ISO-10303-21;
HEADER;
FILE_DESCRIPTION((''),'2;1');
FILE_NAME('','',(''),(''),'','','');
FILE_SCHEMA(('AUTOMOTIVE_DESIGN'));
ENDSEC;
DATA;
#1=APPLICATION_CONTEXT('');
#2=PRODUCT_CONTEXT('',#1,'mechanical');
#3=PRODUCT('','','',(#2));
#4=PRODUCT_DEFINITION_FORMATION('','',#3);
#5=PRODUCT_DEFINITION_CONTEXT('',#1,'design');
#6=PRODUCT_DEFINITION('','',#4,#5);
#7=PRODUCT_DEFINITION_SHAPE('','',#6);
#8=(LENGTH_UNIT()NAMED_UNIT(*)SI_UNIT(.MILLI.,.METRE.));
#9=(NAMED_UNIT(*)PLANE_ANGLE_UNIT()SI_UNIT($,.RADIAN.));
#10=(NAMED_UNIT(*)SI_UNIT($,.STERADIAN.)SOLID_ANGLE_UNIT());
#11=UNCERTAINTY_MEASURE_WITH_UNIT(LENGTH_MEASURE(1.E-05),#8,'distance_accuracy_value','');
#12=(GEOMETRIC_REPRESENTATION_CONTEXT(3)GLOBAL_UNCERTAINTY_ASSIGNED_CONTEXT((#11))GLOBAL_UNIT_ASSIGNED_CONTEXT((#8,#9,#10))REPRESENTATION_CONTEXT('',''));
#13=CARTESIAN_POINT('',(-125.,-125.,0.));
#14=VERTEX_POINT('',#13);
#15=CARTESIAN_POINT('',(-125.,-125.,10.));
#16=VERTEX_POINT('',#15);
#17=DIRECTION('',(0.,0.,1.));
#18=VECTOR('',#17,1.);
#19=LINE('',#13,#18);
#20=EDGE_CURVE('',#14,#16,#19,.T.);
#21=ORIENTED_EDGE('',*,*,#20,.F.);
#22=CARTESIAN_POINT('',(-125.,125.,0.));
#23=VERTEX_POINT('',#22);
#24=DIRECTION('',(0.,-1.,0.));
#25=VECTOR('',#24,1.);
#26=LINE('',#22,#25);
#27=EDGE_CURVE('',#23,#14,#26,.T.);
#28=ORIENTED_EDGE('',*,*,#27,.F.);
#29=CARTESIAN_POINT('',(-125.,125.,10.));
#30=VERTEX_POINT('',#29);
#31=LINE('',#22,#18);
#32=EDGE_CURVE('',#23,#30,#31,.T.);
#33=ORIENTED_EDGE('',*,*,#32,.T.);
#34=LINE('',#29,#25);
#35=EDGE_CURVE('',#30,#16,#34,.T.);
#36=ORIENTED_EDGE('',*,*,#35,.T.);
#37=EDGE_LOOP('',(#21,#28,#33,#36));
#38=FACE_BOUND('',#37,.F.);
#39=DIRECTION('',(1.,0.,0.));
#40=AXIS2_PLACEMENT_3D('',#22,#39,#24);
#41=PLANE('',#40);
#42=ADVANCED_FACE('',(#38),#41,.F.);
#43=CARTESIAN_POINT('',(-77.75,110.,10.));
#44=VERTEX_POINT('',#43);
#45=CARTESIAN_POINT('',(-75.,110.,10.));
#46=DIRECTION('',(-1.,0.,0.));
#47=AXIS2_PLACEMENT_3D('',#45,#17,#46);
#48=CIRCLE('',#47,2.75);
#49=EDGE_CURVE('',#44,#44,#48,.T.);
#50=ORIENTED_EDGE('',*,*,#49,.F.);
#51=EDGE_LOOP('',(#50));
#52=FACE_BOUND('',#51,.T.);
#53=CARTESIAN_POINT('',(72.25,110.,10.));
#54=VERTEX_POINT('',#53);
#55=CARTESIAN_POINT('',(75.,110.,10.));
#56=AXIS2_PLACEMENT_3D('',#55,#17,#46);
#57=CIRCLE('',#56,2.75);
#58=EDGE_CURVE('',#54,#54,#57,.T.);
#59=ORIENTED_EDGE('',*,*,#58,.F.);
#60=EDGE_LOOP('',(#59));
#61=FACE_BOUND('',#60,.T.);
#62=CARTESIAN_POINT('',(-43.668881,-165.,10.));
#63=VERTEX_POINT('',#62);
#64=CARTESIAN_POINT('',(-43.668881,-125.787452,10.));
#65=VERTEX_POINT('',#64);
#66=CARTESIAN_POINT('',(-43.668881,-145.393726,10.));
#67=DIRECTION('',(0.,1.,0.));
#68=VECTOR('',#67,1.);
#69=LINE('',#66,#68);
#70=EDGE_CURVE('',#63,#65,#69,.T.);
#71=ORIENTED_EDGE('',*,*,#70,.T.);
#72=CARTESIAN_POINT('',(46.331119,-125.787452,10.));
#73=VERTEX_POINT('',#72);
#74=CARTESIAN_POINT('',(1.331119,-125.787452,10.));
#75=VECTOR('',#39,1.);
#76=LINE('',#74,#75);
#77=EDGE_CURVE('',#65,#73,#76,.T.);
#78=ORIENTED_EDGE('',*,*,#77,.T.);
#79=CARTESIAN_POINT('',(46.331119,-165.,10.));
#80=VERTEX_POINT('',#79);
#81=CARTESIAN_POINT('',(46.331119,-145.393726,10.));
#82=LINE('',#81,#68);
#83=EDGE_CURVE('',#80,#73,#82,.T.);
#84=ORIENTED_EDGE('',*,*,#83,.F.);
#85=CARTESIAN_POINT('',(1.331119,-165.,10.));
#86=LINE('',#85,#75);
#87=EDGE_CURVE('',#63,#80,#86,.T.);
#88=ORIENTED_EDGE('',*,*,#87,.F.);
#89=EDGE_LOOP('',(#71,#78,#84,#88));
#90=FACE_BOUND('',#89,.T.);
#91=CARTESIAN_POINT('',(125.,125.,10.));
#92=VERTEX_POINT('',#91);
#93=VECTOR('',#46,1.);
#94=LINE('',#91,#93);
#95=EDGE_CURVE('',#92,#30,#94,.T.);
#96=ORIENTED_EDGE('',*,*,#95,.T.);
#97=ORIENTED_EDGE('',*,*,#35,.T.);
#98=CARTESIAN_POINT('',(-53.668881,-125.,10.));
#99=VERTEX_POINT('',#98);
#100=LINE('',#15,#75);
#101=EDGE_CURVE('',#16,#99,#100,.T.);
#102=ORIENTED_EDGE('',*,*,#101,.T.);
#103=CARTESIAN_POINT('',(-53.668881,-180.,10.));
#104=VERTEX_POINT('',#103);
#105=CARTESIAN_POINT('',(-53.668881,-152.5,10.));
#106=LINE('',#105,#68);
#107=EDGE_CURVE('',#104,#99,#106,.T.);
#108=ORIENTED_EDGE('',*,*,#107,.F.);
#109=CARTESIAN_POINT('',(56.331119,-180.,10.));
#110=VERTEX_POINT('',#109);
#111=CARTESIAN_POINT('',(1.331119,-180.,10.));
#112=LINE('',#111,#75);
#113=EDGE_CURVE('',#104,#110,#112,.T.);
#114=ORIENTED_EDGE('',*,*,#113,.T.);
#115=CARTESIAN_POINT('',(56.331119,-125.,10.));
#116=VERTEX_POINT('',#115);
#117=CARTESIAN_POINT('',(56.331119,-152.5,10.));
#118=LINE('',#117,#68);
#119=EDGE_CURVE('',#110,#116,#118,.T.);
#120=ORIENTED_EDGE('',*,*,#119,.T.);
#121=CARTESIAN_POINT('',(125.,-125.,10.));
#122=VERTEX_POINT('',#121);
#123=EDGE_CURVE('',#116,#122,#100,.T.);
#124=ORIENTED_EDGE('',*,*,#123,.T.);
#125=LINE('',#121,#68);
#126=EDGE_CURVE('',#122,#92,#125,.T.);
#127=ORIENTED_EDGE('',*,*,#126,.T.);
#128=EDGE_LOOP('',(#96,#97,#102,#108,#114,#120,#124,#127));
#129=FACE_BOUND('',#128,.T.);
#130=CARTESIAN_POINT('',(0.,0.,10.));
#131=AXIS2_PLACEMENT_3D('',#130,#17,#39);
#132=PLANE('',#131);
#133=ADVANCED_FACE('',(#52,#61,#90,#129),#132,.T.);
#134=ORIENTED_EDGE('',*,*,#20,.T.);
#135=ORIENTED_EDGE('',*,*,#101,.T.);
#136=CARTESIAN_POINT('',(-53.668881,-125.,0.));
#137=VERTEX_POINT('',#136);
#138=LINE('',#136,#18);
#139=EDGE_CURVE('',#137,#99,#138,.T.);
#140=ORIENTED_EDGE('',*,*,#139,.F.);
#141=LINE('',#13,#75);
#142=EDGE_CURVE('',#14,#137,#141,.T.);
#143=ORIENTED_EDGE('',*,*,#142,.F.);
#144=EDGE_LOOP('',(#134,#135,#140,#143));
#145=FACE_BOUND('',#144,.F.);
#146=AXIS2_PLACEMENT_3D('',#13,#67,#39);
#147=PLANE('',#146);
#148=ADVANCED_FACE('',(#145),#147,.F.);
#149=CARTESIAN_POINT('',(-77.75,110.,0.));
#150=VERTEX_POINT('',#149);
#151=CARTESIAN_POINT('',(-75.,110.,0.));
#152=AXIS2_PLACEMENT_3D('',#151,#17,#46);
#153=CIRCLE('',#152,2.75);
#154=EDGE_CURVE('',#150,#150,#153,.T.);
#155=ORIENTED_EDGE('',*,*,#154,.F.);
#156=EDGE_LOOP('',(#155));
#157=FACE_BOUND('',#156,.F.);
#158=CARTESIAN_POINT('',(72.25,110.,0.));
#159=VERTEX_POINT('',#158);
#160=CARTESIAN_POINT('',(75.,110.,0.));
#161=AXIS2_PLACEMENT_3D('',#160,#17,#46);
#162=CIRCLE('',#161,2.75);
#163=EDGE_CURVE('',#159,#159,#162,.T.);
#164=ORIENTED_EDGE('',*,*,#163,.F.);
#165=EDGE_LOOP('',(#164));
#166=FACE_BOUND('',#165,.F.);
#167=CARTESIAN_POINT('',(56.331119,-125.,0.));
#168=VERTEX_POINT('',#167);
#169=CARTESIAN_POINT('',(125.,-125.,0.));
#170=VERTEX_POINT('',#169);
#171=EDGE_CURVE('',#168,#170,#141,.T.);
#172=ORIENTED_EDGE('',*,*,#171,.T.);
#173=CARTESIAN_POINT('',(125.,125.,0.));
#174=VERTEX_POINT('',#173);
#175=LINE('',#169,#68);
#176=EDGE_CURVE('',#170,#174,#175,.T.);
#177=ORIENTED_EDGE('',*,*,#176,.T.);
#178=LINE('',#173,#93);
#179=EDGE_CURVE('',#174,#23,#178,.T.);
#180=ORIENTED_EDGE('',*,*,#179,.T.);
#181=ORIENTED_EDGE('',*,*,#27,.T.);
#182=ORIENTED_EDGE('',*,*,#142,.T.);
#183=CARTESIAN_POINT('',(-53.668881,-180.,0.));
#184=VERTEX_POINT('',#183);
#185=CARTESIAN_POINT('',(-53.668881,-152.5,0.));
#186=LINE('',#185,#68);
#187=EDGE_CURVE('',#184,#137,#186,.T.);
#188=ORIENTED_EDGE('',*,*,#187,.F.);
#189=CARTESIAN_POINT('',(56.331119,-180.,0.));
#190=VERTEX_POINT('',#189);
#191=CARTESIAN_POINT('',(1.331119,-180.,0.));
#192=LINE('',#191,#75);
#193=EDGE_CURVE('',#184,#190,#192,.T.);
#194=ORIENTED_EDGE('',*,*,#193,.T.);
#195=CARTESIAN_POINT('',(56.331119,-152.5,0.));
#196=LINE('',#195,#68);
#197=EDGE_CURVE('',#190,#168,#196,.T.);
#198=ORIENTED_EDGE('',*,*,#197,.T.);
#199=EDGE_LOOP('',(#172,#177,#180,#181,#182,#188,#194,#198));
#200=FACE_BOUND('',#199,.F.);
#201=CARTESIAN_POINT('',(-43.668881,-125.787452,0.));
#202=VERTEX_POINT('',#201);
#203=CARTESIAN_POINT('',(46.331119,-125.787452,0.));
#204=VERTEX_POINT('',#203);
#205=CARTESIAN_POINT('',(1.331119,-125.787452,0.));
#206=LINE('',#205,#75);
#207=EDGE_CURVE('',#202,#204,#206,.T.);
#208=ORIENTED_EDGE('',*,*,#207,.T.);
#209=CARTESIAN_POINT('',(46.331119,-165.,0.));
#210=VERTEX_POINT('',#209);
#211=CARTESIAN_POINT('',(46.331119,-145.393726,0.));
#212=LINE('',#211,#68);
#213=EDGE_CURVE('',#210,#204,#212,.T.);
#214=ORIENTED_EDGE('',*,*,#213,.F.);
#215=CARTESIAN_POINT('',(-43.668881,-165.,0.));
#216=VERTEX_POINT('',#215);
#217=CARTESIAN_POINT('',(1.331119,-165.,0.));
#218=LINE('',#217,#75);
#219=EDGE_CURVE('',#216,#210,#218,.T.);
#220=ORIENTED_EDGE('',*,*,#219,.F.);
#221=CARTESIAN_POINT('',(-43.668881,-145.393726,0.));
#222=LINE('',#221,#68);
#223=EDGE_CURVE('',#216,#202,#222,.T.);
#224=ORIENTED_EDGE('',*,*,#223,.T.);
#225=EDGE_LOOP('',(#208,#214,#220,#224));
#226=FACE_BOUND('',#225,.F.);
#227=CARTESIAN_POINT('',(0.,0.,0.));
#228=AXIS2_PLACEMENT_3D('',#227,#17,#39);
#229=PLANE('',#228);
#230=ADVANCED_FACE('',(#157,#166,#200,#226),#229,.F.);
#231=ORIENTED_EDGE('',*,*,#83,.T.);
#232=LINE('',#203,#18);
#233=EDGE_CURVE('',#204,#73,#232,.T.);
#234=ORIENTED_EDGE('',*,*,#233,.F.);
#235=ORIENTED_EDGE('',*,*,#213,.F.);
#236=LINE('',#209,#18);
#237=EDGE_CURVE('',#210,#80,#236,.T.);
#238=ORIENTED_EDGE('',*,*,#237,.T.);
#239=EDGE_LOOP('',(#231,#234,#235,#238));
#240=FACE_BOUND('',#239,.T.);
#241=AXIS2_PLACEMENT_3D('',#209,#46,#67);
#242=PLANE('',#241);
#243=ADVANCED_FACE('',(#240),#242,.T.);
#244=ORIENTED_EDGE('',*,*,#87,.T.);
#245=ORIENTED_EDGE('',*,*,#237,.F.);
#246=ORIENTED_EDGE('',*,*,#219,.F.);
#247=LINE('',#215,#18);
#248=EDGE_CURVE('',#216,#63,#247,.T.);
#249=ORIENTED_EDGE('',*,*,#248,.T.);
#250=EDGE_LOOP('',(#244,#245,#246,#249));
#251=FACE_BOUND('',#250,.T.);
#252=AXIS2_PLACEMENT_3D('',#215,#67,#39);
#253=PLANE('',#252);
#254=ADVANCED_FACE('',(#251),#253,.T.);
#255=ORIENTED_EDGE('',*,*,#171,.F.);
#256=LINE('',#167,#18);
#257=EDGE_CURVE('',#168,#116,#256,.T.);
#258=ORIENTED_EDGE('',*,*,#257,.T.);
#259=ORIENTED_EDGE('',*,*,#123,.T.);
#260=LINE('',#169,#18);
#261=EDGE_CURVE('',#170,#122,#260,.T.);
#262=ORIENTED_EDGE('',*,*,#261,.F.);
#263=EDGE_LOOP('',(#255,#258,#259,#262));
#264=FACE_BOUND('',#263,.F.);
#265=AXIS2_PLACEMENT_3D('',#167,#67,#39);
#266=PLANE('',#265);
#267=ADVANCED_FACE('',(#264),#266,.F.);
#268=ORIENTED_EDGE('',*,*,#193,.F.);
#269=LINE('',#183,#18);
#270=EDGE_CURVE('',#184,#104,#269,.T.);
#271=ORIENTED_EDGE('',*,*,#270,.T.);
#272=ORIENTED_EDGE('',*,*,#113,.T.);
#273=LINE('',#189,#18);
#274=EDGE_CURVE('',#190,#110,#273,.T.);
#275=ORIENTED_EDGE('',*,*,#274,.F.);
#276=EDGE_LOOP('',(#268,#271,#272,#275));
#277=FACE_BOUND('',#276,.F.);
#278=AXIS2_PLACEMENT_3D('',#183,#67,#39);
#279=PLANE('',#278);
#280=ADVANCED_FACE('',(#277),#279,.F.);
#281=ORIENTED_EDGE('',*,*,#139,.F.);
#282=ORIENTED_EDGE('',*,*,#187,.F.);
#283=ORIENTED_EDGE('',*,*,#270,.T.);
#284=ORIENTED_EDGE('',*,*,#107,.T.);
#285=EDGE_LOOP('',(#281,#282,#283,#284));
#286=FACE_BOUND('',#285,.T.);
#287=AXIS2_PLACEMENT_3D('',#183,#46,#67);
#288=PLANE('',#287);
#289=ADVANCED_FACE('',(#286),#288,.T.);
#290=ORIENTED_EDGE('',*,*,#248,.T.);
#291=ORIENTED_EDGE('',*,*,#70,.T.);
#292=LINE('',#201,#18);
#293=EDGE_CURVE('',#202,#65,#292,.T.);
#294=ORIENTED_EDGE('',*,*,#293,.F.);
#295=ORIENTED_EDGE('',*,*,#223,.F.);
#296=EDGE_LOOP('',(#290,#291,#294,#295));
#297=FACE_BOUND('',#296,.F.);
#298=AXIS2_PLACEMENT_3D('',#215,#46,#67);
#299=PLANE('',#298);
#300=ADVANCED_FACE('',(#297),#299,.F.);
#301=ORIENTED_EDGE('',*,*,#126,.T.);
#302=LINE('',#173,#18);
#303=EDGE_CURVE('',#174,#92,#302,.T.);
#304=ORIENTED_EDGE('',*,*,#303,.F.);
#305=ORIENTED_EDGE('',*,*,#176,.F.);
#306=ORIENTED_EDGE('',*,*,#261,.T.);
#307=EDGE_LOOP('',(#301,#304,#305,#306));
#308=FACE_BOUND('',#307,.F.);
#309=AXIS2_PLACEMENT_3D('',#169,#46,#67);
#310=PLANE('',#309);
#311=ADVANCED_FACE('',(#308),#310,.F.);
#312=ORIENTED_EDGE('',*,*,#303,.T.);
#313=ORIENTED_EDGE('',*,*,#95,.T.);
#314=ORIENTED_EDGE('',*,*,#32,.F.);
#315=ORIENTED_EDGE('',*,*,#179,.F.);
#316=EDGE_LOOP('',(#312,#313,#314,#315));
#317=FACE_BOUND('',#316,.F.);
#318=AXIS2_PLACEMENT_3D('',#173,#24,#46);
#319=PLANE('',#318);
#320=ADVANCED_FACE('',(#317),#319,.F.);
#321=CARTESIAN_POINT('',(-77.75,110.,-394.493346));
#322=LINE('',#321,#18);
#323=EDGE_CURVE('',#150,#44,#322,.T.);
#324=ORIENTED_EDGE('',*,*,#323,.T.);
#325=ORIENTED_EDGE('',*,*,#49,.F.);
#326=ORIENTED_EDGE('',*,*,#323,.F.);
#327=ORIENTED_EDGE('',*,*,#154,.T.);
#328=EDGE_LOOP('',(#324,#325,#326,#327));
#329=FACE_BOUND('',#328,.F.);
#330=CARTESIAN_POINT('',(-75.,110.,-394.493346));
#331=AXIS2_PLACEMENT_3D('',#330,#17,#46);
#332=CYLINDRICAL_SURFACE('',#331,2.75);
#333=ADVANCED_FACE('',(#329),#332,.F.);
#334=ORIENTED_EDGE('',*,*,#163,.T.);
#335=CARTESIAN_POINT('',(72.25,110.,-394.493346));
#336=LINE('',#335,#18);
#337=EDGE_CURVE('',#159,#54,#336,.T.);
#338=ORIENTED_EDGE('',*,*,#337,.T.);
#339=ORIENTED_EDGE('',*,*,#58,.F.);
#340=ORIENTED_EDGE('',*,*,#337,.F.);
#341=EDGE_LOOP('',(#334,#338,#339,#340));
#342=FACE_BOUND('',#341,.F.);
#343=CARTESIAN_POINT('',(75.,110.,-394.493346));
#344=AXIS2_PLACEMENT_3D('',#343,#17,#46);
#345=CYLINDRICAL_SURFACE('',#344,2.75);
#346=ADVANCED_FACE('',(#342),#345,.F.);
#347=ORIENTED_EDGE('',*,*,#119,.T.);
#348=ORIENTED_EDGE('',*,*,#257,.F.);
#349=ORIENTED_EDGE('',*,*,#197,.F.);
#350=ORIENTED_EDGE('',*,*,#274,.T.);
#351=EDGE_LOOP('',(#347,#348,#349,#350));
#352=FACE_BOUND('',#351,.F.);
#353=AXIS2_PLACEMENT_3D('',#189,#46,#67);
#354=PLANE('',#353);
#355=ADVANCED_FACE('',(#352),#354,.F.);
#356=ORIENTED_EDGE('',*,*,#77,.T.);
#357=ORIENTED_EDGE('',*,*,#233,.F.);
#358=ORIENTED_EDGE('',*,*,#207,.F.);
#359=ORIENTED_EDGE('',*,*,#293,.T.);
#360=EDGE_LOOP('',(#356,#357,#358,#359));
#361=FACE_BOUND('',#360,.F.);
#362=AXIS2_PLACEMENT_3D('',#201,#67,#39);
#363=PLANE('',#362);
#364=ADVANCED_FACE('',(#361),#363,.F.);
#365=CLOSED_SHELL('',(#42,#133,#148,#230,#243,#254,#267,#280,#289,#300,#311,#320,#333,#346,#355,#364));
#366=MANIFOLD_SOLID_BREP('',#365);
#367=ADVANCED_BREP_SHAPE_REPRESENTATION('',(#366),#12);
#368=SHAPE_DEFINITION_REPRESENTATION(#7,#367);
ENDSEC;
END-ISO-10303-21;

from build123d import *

# Parameters (mm, degrees)
F0_W     = 110
F0_H     = 55
F0_W_2   = 90
F0_H_2   = 39.2125481367
F1_DEPTH = 10
F2_D     = 5.5


with BuildPart() as f1:
    # F0 (on Top) → F1 (new body)
    with BuildSketch(Plane.XY):
        Polygon((125, -125), (125, 125), (-125, 125), (-125, -125), (-53.6688808352, -125), (56.3311191648, -125), align=None)
        with Locations((1.3311191648, -152.5)):
            Rectangle(F0_W, F0_H)
        with Locations((1.3311191648, -145.3937259316)):
            Rectangle(F0_W_2, F0_H_2, mode=Mode.SUBTRACT)
    extrude(amount=F1_DEPTH)

    # F2 (through all)
    with Locations(Plane(origin=(0, 0, 0), x_dir=(1, 0, 0), z_dir=(0, 0, -1))):
        with Locations((-75, -110), (75, -110)):
            Hole(F2_D / 2)


solid = f1.part
